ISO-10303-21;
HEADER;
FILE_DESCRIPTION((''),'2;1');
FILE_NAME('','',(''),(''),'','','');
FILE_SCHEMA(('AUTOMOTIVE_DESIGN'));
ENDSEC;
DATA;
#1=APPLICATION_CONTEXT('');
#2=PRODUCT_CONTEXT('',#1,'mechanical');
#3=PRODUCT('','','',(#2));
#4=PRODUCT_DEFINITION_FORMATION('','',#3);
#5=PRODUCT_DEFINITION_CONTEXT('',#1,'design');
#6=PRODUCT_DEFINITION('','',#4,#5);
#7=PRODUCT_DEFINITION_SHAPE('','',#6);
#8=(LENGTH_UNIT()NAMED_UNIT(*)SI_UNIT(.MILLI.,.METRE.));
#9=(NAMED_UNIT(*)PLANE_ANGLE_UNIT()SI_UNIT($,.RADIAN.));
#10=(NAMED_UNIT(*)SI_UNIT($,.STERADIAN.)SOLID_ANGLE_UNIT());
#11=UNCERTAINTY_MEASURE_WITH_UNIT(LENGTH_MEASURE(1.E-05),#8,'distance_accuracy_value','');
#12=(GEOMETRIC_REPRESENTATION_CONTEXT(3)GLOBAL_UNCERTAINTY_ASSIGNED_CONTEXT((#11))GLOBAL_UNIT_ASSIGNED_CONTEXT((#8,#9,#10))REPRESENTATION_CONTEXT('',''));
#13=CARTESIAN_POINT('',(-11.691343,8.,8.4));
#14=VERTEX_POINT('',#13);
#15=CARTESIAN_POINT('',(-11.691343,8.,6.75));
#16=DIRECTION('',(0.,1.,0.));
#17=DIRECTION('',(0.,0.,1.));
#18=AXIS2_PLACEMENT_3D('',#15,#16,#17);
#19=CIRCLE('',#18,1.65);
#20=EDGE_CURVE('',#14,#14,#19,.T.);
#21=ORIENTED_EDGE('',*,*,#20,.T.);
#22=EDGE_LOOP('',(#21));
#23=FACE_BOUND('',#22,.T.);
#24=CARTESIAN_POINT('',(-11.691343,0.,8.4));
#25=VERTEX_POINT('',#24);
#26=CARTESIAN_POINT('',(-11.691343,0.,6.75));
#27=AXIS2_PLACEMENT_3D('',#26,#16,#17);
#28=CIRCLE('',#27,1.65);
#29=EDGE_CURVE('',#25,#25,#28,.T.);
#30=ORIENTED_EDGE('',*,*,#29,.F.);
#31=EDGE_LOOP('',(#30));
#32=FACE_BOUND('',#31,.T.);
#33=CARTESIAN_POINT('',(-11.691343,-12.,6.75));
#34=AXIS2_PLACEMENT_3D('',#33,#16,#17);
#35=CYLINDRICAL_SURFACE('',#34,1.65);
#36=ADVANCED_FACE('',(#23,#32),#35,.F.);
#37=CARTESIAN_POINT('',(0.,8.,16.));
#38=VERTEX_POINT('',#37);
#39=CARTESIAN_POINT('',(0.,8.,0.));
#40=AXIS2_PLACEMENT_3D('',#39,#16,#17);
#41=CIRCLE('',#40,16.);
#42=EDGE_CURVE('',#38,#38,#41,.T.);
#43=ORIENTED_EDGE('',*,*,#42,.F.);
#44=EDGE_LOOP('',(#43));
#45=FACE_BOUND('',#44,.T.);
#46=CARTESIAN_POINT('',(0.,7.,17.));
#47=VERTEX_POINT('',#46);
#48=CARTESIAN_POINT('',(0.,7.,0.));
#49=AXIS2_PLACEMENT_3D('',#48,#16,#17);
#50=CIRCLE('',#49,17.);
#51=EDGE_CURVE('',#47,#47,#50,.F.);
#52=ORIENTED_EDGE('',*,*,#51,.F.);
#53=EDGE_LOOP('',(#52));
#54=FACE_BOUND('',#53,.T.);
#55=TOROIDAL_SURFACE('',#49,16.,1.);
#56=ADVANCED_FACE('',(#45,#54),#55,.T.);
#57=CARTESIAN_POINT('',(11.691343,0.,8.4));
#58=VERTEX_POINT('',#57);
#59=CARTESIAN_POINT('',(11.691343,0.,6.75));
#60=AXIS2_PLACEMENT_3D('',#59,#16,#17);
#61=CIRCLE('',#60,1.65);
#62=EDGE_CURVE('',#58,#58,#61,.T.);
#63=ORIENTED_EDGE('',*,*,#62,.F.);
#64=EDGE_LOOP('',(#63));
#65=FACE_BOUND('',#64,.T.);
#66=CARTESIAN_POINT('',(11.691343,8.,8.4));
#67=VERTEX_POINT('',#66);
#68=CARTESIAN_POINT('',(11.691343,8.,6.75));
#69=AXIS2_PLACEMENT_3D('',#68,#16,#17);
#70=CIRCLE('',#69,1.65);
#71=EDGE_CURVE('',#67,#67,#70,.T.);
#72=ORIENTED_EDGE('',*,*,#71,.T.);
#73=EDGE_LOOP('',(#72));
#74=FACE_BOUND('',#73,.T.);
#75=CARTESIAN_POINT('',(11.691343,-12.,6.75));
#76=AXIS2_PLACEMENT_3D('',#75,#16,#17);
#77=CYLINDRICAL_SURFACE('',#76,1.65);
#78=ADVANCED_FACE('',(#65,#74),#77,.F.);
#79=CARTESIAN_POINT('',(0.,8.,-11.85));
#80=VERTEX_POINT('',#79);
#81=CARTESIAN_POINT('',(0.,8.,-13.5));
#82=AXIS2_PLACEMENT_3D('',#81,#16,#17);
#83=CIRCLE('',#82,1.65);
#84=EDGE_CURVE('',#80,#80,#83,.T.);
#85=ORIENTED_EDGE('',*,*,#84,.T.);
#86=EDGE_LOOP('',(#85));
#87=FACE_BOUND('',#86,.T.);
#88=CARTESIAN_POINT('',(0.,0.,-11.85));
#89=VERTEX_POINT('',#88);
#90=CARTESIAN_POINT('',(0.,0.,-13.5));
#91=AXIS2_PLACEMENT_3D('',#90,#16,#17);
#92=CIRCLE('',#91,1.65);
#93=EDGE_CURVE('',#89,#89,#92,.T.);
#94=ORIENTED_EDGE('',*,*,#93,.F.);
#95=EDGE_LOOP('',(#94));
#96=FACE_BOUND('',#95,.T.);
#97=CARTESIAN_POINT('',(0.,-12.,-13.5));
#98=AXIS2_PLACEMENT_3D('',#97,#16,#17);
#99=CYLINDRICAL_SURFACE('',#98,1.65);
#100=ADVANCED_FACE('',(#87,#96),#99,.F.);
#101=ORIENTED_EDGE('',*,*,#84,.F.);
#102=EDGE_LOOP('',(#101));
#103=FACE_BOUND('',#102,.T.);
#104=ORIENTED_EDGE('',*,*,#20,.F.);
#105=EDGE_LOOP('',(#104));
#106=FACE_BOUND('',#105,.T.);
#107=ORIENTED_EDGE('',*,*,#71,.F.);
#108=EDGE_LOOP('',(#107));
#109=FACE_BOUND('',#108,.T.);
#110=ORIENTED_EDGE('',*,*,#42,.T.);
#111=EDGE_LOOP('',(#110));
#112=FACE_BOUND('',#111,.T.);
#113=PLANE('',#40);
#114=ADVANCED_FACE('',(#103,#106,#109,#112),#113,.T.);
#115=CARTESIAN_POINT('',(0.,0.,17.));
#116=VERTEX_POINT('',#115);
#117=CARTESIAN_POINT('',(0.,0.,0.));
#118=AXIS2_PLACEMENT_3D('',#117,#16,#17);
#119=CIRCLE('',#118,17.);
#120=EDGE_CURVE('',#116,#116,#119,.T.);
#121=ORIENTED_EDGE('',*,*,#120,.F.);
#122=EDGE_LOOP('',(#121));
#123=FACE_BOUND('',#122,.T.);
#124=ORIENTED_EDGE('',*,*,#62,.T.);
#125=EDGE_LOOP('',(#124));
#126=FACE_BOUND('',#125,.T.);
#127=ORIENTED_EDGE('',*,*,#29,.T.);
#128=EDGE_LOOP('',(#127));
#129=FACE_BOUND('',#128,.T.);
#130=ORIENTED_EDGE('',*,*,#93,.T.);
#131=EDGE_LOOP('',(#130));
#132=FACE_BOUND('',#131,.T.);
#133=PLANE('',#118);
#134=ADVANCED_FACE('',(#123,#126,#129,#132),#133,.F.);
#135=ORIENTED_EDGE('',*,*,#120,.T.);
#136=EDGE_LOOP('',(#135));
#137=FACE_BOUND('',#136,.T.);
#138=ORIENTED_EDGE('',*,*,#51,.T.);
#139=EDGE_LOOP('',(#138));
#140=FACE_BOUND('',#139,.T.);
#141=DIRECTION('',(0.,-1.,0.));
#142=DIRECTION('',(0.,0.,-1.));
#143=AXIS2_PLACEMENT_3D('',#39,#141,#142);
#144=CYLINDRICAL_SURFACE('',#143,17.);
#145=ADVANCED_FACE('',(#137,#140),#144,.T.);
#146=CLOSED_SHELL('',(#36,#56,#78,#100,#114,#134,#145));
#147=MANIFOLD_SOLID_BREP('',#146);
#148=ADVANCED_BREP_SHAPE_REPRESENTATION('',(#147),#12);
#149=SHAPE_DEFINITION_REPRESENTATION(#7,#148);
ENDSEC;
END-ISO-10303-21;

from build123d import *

# Parameters (mm, degrees)
SKETCH_1_R          = 17
EXTRUDE_1_DEPTH     = 8
SKETCH_2_R          = 1.65
CUT_EXTRUDE_1_DEPTH = 20
FILLET_1_R          = 1


with BuildPart() as part:
    # Эскиз1 → Бобышка-Вытянуть1 (new body)
    with BuildSketch(Plane(origin=(0, 0, 0), x_dir=(1, 0, 0), z_dir=(0, 1, 0))):
        with Locations(Location((0, 0, 0), (0, 0, 270))):
            Circle(SKETCH_1_R)
    extrude(amount=EXTRUDE_1_DEPTH)

    # Эскиз2 → Вырез-Вытянуть1 (cut)
    with BuildSketch(Plane(origin=(0, 8, 0), x_dir=(1, 0, 0), z_dir=(0, 1, 0))):
        with Locations(Location((0, 13.5, 0), (0, 0, 270))):
            Circle(SKETCH_2_R)
        with Locations(Location((11.691342951, -6.75, 0), (0, 0, 270))):
            Circle(SKETCH_2_R)
        with Locations(Location((-11.691342951, -6.75, 0), (0, 0, 270))):
            Circle(SKETCH_2_R)
    extrude(amount=-CUT_EXTRUDE_1_DEPTH, mode=Mode.SUBTRACT)

    # Скругление1
    fillet_1_edges = [part.edges().sort_by_distance(p)[0] for p in [
        (0, 8, -17),
    ]]
    fillet(fillet_1_edges, radius=FILLET_1_R)


solid = part.part
